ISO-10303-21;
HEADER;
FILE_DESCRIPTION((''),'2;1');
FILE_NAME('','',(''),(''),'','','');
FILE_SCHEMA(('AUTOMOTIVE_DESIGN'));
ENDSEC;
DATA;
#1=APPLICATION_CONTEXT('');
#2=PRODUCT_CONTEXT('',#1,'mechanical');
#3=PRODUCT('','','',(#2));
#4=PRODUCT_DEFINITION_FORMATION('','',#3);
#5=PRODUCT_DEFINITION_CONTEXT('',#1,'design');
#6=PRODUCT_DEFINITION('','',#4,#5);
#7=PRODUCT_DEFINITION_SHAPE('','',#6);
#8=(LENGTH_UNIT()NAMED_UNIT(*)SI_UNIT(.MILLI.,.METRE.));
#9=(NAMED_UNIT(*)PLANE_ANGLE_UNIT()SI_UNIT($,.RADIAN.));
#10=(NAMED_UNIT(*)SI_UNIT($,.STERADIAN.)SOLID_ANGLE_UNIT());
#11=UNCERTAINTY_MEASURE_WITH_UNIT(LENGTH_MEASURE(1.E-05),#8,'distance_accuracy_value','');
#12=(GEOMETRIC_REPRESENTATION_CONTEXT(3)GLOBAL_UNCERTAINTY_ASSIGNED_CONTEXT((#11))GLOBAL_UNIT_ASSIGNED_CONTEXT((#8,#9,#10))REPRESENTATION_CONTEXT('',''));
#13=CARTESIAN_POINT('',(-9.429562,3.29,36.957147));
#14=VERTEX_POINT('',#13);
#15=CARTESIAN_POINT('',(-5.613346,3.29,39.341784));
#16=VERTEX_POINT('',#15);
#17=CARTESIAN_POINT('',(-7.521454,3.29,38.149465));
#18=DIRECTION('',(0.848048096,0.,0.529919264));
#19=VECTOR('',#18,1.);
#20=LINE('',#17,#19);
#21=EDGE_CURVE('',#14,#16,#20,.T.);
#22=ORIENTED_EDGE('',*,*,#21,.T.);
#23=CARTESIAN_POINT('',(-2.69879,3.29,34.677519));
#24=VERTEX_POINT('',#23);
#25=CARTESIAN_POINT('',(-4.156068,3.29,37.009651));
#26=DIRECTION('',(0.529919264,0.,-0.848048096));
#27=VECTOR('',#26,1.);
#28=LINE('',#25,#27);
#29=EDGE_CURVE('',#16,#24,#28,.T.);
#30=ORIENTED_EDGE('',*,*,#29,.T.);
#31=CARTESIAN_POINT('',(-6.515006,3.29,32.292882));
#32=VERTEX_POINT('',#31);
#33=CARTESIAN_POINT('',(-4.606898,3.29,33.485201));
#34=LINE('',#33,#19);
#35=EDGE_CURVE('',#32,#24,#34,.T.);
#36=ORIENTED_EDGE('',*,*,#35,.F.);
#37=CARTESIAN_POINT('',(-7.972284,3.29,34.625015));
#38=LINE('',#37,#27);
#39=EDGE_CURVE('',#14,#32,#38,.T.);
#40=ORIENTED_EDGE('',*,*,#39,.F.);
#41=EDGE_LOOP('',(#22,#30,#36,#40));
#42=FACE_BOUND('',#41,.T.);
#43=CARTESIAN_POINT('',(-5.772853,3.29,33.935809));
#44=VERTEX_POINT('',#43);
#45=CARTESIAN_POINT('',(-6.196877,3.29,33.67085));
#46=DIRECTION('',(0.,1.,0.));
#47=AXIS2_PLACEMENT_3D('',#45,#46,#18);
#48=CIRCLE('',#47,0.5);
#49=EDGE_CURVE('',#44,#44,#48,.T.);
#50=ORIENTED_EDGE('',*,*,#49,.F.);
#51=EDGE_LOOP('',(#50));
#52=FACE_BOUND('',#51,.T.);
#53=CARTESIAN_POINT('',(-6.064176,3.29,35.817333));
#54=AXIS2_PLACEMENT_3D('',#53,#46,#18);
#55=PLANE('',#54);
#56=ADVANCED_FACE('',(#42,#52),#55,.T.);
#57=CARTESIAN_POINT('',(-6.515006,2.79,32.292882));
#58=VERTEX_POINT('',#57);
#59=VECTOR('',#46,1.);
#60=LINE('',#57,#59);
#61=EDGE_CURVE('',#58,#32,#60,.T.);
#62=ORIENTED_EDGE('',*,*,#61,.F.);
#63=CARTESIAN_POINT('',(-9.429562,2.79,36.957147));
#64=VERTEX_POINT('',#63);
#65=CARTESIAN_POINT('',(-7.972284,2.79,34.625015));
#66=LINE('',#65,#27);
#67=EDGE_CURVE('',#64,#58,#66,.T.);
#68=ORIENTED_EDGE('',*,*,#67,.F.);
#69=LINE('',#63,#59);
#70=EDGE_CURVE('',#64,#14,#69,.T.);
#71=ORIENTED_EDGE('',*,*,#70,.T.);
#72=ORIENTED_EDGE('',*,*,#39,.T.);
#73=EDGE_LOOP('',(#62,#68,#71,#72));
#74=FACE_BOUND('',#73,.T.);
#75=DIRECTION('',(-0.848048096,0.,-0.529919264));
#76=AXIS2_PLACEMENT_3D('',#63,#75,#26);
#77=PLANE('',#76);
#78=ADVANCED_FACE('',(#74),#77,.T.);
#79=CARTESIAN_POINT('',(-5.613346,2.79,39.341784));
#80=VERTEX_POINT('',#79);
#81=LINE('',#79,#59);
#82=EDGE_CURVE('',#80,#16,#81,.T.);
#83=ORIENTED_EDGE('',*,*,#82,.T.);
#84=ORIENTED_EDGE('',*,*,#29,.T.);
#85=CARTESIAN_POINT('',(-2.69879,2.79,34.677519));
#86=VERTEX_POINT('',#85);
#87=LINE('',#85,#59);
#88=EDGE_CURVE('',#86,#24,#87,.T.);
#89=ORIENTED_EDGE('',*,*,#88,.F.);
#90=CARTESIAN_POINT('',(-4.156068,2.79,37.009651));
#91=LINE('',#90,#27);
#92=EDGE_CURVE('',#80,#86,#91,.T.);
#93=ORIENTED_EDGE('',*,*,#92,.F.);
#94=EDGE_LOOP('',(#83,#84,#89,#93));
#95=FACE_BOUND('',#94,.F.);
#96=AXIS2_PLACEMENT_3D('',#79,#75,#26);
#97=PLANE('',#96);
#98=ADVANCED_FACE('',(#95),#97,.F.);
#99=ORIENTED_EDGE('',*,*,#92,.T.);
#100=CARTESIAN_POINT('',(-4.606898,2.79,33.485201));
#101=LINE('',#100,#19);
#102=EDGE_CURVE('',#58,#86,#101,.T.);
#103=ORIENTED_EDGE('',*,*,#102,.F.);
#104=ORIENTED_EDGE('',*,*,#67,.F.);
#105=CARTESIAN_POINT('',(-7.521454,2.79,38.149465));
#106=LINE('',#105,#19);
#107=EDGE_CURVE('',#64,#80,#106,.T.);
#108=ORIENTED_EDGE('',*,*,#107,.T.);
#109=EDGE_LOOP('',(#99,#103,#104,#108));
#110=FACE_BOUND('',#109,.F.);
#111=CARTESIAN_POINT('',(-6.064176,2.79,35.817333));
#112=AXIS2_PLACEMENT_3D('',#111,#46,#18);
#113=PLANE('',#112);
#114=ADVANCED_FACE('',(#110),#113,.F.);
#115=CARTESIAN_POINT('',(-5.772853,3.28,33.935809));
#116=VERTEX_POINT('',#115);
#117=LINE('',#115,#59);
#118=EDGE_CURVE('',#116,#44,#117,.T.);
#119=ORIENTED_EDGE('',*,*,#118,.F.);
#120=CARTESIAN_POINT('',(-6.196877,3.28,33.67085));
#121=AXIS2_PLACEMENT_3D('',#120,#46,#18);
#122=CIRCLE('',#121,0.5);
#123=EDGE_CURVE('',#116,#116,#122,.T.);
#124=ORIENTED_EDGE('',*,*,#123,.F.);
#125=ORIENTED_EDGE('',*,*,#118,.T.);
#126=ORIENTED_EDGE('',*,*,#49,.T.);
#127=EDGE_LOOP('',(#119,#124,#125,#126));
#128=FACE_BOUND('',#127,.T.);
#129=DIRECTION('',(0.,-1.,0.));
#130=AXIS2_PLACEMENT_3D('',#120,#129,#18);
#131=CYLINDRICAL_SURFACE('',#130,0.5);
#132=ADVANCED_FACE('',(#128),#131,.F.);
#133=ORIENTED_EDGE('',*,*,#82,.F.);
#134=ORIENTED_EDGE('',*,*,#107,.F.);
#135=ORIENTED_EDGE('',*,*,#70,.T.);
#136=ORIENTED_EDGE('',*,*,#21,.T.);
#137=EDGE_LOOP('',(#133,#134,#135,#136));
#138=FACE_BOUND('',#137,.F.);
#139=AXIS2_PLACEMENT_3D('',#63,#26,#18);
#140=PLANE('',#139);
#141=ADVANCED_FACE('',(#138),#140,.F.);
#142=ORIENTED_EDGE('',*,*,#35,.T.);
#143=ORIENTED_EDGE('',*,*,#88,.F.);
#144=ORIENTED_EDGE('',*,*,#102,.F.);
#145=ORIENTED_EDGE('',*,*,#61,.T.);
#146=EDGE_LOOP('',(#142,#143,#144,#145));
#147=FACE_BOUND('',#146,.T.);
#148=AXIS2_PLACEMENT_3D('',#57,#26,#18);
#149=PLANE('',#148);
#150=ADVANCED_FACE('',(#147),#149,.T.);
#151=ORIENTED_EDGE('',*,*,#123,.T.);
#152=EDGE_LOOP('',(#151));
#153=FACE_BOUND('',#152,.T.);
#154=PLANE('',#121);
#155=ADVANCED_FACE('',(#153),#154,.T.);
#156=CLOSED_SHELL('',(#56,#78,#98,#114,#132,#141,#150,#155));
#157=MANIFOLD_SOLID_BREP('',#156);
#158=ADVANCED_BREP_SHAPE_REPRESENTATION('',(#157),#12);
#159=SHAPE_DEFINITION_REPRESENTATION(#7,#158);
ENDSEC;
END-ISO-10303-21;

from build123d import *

# Parameters (mm, degrees)
CYLINDER068_R      = 0.5
CYLINDER068_DEPTH  = 0.01
BOX153_W           = 4.5
BOX153_H           = 5.5
BOX153_DEPTH       = 0.5
CUT072_ROLL_ANGLE  = -90
CUT072_PITCH_ANGLE = -32


with BuildPart() as cylinder068:
    # Cylinder068 → Cylinder068 (new body)
    with BuildSketch(Plane(origin=(1, 4.5, 0.49), x_dir=(1, 0, 0), z_dir=(0, 0, 1))):
        Circle(CYLINDER068_R)
    extrude(amount=CYLINDER068_DEPTH)


with BuildPart() as small_linbo3_plate070:
    # Box153 → Box153 (new body)
    with BuildSketch(Plane.XY):
        with Locations((2.25, 2.75)):
            Rectangle(BOX153_W, BOX153_H)
    extrude(amount=BOX153_DEPTH)

    # Cut072: cut Cylinder068
    add(cylinder068.part, mode=Mode.SUBTRACT)


with BuildPart() as small_linbo3_plate070_1:
    # Cut072 roll: moved
    add(small_linbo3_plate070.part.rotate(Axis((0, 0, 0), (1, 0, 0)), CUT072_ROLL_ANGLE))


with BuildPart() as small_linbo3_plate070_2:
    # Cut072 pitch: moved
    add(small_linbo3_plate070_1.part.rotate(Axis((0, 0, 0), (0, 1, 0)), CUT072_PITCH_ANGLE))


with BuildPart() as small_linbo3_plate070_3:
    # Cut072 placement: moved
    add(small_linbo3_plate070_2.part.moved(Location((-9.429562, 2.79, 36.957147))))


solid = small_linbo3_plate070_3.part
